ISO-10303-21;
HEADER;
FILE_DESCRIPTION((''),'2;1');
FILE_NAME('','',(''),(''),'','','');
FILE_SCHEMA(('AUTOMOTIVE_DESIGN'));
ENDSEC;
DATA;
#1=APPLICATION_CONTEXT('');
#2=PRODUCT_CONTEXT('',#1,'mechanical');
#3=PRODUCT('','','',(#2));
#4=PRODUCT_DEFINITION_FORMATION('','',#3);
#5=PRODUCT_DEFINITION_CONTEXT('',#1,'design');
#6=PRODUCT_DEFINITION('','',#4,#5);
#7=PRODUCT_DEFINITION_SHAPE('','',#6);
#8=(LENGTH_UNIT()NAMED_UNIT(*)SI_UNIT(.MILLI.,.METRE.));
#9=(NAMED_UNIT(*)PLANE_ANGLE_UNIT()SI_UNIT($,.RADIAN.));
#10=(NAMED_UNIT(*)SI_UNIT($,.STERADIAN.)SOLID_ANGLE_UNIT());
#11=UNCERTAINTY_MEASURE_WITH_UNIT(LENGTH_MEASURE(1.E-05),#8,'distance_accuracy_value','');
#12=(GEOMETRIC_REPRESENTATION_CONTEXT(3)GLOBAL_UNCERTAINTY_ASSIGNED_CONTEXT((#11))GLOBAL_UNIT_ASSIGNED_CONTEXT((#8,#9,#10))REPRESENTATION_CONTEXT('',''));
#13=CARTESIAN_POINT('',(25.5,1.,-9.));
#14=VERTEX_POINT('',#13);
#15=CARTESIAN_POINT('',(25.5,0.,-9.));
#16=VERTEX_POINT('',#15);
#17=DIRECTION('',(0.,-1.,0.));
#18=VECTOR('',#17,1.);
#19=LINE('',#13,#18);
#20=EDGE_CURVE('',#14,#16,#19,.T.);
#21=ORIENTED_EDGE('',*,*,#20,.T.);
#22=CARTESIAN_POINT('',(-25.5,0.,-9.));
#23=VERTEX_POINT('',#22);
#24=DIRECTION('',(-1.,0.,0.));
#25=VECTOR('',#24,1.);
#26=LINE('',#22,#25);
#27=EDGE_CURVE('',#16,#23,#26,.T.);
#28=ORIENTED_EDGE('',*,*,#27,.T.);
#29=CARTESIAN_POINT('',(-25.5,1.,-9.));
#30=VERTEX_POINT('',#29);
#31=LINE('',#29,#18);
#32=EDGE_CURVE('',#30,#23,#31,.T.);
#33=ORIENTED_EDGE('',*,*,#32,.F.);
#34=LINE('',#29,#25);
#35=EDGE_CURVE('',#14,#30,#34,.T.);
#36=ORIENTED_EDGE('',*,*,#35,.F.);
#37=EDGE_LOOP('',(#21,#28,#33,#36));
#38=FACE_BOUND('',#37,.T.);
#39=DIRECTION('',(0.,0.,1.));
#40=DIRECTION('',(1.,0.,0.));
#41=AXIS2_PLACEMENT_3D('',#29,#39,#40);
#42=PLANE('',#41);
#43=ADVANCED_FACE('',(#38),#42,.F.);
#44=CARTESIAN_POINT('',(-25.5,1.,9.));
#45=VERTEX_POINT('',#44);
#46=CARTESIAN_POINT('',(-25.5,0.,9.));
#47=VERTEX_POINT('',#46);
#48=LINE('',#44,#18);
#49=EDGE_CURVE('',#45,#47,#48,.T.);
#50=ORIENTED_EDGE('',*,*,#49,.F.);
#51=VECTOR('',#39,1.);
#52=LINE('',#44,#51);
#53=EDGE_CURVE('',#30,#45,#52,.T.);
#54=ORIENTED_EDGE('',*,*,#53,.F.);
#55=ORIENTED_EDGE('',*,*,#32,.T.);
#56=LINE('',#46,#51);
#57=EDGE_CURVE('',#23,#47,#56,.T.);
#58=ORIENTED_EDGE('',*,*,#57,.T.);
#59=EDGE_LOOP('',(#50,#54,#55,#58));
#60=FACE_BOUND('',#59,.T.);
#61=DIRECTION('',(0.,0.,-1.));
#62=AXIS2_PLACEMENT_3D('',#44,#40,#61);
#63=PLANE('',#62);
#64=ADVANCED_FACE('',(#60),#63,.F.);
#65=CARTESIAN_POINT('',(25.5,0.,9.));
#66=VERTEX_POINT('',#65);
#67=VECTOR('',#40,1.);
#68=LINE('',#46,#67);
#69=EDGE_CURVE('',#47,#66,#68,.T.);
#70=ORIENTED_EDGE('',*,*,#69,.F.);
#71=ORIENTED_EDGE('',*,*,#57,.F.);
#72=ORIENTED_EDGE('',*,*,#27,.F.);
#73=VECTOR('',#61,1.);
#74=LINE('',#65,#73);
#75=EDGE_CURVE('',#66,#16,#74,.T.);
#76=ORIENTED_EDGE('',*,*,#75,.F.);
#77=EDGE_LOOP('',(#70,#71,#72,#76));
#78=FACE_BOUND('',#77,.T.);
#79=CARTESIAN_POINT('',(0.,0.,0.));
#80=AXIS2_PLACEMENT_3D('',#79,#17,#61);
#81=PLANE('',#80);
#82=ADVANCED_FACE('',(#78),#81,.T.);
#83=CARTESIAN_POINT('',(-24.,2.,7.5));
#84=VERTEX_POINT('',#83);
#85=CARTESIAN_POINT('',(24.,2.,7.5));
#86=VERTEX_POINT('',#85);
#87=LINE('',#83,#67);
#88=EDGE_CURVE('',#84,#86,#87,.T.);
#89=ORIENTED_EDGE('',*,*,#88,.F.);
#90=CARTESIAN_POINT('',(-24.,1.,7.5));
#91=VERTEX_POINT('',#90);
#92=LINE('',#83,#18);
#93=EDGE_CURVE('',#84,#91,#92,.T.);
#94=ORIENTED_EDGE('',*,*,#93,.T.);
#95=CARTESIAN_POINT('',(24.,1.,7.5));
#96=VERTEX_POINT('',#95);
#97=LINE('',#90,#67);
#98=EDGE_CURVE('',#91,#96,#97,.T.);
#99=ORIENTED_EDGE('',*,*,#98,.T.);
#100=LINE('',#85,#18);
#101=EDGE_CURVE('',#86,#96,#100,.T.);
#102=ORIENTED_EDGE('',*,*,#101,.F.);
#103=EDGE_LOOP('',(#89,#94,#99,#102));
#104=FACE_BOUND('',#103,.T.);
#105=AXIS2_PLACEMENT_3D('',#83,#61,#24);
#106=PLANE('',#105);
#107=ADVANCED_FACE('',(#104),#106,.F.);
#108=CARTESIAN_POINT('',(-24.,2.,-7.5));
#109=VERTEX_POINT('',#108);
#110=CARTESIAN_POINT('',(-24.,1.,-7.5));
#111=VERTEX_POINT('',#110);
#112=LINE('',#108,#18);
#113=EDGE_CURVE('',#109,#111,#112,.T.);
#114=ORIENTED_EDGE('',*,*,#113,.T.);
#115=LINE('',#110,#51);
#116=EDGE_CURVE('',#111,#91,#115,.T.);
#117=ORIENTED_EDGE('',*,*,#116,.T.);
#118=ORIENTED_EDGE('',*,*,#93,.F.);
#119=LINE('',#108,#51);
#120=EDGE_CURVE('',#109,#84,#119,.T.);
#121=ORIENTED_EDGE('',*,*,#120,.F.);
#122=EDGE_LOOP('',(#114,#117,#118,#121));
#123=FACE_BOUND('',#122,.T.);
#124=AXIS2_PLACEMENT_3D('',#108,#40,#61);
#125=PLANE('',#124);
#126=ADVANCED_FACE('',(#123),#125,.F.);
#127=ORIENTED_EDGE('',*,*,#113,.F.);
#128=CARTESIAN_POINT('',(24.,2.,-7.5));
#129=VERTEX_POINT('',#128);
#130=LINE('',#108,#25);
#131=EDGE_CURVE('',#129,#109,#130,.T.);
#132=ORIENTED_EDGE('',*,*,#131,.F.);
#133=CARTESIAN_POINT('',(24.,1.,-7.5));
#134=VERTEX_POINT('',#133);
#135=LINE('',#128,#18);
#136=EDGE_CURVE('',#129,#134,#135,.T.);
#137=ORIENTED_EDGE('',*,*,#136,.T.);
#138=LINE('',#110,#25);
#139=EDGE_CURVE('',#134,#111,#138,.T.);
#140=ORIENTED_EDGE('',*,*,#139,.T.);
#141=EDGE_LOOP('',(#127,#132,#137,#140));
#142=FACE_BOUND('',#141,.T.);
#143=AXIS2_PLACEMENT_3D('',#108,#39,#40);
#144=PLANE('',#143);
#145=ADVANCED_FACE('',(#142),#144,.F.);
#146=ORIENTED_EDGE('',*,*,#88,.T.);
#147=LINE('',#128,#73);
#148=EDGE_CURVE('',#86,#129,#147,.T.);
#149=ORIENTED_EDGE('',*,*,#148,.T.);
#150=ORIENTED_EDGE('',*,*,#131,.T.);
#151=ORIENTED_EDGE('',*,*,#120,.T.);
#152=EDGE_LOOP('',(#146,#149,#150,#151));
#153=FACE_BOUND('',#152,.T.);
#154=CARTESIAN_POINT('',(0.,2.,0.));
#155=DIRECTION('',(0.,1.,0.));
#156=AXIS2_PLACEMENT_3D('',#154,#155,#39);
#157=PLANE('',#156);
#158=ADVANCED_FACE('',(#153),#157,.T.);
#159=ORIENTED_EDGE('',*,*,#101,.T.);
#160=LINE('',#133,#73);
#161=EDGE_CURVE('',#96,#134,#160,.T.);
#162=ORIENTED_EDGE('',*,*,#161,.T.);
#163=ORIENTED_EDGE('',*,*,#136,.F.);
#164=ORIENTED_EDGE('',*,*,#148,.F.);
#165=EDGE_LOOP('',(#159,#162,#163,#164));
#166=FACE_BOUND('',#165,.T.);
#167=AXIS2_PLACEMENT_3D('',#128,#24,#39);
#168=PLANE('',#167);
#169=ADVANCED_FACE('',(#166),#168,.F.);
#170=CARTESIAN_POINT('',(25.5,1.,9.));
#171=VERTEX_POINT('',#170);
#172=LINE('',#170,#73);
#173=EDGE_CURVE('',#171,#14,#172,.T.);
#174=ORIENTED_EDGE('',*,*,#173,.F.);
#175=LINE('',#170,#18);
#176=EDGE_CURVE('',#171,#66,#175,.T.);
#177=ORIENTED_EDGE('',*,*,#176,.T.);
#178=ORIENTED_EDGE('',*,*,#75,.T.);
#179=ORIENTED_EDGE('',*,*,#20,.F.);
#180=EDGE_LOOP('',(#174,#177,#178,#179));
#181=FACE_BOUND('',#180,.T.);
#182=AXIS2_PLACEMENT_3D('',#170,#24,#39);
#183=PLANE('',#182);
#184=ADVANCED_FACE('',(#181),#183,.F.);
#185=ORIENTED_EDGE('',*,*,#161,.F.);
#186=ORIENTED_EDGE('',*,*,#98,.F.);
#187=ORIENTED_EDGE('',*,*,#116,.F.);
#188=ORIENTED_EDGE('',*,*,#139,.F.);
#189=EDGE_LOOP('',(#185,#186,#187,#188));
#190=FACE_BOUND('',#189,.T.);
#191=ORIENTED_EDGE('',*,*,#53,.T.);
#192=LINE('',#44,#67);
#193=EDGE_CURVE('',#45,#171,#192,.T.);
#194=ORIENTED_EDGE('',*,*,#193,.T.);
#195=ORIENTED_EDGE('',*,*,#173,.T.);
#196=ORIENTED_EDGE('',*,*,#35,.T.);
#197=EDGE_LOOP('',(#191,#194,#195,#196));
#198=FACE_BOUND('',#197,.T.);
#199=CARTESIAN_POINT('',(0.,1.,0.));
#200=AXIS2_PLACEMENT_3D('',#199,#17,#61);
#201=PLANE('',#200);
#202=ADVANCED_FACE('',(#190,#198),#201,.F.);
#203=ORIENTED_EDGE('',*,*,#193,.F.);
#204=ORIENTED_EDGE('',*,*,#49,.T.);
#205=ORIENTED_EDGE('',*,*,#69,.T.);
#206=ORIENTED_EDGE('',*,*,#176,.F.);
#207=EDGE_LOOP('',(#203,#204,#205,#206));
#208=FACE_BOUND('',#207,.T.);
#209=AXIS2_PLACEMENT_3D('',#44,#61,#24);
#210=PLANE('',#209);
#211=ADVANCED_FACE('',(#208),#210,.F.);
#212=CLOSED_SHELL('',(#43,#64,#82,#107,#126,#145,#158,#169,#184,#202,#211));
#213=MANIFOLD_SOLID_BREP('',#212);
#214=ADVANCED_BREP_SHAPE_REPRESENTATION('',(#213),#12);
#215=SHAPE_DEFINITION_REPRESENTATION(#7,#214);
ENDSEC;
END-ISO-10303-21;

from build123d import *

# Parameters (mm, degrees)
SKETCH_2_W      = 51
SKETCH_2_H      = 18
EXTRUDE_1_DEPTH = 1
SKETCH_3_W      = 48
SKETCH_3_H      = 15
EXTRUDE_2_DEPTH = 1


with BuildPart() as part:
    # 草图2 → 凸台-拉伸1 (new body)
    with BuildSketch(Plane(origin=(0, 0, 0), x_dir=(1, 0, 0), z_dir=(0, 1, 0))):
        Rectangle(SKETCH_2_W, SKETCH_2_H)
    extrude(amount=EXTRUDE_1_DEPTH)

    # 草图3 → 凸台-拉伸2 (add)
    with BuildSketch(Plane(origin=(0, 1, 0), x_dir=(1, 0, 0), z_dir=(0, 1, 0))):
        Rectangle(SKETCH_3_W, SKETCH_3_H)
    extrude(amount=EXTRUDE_2_DEPTH)


solid = part.part
